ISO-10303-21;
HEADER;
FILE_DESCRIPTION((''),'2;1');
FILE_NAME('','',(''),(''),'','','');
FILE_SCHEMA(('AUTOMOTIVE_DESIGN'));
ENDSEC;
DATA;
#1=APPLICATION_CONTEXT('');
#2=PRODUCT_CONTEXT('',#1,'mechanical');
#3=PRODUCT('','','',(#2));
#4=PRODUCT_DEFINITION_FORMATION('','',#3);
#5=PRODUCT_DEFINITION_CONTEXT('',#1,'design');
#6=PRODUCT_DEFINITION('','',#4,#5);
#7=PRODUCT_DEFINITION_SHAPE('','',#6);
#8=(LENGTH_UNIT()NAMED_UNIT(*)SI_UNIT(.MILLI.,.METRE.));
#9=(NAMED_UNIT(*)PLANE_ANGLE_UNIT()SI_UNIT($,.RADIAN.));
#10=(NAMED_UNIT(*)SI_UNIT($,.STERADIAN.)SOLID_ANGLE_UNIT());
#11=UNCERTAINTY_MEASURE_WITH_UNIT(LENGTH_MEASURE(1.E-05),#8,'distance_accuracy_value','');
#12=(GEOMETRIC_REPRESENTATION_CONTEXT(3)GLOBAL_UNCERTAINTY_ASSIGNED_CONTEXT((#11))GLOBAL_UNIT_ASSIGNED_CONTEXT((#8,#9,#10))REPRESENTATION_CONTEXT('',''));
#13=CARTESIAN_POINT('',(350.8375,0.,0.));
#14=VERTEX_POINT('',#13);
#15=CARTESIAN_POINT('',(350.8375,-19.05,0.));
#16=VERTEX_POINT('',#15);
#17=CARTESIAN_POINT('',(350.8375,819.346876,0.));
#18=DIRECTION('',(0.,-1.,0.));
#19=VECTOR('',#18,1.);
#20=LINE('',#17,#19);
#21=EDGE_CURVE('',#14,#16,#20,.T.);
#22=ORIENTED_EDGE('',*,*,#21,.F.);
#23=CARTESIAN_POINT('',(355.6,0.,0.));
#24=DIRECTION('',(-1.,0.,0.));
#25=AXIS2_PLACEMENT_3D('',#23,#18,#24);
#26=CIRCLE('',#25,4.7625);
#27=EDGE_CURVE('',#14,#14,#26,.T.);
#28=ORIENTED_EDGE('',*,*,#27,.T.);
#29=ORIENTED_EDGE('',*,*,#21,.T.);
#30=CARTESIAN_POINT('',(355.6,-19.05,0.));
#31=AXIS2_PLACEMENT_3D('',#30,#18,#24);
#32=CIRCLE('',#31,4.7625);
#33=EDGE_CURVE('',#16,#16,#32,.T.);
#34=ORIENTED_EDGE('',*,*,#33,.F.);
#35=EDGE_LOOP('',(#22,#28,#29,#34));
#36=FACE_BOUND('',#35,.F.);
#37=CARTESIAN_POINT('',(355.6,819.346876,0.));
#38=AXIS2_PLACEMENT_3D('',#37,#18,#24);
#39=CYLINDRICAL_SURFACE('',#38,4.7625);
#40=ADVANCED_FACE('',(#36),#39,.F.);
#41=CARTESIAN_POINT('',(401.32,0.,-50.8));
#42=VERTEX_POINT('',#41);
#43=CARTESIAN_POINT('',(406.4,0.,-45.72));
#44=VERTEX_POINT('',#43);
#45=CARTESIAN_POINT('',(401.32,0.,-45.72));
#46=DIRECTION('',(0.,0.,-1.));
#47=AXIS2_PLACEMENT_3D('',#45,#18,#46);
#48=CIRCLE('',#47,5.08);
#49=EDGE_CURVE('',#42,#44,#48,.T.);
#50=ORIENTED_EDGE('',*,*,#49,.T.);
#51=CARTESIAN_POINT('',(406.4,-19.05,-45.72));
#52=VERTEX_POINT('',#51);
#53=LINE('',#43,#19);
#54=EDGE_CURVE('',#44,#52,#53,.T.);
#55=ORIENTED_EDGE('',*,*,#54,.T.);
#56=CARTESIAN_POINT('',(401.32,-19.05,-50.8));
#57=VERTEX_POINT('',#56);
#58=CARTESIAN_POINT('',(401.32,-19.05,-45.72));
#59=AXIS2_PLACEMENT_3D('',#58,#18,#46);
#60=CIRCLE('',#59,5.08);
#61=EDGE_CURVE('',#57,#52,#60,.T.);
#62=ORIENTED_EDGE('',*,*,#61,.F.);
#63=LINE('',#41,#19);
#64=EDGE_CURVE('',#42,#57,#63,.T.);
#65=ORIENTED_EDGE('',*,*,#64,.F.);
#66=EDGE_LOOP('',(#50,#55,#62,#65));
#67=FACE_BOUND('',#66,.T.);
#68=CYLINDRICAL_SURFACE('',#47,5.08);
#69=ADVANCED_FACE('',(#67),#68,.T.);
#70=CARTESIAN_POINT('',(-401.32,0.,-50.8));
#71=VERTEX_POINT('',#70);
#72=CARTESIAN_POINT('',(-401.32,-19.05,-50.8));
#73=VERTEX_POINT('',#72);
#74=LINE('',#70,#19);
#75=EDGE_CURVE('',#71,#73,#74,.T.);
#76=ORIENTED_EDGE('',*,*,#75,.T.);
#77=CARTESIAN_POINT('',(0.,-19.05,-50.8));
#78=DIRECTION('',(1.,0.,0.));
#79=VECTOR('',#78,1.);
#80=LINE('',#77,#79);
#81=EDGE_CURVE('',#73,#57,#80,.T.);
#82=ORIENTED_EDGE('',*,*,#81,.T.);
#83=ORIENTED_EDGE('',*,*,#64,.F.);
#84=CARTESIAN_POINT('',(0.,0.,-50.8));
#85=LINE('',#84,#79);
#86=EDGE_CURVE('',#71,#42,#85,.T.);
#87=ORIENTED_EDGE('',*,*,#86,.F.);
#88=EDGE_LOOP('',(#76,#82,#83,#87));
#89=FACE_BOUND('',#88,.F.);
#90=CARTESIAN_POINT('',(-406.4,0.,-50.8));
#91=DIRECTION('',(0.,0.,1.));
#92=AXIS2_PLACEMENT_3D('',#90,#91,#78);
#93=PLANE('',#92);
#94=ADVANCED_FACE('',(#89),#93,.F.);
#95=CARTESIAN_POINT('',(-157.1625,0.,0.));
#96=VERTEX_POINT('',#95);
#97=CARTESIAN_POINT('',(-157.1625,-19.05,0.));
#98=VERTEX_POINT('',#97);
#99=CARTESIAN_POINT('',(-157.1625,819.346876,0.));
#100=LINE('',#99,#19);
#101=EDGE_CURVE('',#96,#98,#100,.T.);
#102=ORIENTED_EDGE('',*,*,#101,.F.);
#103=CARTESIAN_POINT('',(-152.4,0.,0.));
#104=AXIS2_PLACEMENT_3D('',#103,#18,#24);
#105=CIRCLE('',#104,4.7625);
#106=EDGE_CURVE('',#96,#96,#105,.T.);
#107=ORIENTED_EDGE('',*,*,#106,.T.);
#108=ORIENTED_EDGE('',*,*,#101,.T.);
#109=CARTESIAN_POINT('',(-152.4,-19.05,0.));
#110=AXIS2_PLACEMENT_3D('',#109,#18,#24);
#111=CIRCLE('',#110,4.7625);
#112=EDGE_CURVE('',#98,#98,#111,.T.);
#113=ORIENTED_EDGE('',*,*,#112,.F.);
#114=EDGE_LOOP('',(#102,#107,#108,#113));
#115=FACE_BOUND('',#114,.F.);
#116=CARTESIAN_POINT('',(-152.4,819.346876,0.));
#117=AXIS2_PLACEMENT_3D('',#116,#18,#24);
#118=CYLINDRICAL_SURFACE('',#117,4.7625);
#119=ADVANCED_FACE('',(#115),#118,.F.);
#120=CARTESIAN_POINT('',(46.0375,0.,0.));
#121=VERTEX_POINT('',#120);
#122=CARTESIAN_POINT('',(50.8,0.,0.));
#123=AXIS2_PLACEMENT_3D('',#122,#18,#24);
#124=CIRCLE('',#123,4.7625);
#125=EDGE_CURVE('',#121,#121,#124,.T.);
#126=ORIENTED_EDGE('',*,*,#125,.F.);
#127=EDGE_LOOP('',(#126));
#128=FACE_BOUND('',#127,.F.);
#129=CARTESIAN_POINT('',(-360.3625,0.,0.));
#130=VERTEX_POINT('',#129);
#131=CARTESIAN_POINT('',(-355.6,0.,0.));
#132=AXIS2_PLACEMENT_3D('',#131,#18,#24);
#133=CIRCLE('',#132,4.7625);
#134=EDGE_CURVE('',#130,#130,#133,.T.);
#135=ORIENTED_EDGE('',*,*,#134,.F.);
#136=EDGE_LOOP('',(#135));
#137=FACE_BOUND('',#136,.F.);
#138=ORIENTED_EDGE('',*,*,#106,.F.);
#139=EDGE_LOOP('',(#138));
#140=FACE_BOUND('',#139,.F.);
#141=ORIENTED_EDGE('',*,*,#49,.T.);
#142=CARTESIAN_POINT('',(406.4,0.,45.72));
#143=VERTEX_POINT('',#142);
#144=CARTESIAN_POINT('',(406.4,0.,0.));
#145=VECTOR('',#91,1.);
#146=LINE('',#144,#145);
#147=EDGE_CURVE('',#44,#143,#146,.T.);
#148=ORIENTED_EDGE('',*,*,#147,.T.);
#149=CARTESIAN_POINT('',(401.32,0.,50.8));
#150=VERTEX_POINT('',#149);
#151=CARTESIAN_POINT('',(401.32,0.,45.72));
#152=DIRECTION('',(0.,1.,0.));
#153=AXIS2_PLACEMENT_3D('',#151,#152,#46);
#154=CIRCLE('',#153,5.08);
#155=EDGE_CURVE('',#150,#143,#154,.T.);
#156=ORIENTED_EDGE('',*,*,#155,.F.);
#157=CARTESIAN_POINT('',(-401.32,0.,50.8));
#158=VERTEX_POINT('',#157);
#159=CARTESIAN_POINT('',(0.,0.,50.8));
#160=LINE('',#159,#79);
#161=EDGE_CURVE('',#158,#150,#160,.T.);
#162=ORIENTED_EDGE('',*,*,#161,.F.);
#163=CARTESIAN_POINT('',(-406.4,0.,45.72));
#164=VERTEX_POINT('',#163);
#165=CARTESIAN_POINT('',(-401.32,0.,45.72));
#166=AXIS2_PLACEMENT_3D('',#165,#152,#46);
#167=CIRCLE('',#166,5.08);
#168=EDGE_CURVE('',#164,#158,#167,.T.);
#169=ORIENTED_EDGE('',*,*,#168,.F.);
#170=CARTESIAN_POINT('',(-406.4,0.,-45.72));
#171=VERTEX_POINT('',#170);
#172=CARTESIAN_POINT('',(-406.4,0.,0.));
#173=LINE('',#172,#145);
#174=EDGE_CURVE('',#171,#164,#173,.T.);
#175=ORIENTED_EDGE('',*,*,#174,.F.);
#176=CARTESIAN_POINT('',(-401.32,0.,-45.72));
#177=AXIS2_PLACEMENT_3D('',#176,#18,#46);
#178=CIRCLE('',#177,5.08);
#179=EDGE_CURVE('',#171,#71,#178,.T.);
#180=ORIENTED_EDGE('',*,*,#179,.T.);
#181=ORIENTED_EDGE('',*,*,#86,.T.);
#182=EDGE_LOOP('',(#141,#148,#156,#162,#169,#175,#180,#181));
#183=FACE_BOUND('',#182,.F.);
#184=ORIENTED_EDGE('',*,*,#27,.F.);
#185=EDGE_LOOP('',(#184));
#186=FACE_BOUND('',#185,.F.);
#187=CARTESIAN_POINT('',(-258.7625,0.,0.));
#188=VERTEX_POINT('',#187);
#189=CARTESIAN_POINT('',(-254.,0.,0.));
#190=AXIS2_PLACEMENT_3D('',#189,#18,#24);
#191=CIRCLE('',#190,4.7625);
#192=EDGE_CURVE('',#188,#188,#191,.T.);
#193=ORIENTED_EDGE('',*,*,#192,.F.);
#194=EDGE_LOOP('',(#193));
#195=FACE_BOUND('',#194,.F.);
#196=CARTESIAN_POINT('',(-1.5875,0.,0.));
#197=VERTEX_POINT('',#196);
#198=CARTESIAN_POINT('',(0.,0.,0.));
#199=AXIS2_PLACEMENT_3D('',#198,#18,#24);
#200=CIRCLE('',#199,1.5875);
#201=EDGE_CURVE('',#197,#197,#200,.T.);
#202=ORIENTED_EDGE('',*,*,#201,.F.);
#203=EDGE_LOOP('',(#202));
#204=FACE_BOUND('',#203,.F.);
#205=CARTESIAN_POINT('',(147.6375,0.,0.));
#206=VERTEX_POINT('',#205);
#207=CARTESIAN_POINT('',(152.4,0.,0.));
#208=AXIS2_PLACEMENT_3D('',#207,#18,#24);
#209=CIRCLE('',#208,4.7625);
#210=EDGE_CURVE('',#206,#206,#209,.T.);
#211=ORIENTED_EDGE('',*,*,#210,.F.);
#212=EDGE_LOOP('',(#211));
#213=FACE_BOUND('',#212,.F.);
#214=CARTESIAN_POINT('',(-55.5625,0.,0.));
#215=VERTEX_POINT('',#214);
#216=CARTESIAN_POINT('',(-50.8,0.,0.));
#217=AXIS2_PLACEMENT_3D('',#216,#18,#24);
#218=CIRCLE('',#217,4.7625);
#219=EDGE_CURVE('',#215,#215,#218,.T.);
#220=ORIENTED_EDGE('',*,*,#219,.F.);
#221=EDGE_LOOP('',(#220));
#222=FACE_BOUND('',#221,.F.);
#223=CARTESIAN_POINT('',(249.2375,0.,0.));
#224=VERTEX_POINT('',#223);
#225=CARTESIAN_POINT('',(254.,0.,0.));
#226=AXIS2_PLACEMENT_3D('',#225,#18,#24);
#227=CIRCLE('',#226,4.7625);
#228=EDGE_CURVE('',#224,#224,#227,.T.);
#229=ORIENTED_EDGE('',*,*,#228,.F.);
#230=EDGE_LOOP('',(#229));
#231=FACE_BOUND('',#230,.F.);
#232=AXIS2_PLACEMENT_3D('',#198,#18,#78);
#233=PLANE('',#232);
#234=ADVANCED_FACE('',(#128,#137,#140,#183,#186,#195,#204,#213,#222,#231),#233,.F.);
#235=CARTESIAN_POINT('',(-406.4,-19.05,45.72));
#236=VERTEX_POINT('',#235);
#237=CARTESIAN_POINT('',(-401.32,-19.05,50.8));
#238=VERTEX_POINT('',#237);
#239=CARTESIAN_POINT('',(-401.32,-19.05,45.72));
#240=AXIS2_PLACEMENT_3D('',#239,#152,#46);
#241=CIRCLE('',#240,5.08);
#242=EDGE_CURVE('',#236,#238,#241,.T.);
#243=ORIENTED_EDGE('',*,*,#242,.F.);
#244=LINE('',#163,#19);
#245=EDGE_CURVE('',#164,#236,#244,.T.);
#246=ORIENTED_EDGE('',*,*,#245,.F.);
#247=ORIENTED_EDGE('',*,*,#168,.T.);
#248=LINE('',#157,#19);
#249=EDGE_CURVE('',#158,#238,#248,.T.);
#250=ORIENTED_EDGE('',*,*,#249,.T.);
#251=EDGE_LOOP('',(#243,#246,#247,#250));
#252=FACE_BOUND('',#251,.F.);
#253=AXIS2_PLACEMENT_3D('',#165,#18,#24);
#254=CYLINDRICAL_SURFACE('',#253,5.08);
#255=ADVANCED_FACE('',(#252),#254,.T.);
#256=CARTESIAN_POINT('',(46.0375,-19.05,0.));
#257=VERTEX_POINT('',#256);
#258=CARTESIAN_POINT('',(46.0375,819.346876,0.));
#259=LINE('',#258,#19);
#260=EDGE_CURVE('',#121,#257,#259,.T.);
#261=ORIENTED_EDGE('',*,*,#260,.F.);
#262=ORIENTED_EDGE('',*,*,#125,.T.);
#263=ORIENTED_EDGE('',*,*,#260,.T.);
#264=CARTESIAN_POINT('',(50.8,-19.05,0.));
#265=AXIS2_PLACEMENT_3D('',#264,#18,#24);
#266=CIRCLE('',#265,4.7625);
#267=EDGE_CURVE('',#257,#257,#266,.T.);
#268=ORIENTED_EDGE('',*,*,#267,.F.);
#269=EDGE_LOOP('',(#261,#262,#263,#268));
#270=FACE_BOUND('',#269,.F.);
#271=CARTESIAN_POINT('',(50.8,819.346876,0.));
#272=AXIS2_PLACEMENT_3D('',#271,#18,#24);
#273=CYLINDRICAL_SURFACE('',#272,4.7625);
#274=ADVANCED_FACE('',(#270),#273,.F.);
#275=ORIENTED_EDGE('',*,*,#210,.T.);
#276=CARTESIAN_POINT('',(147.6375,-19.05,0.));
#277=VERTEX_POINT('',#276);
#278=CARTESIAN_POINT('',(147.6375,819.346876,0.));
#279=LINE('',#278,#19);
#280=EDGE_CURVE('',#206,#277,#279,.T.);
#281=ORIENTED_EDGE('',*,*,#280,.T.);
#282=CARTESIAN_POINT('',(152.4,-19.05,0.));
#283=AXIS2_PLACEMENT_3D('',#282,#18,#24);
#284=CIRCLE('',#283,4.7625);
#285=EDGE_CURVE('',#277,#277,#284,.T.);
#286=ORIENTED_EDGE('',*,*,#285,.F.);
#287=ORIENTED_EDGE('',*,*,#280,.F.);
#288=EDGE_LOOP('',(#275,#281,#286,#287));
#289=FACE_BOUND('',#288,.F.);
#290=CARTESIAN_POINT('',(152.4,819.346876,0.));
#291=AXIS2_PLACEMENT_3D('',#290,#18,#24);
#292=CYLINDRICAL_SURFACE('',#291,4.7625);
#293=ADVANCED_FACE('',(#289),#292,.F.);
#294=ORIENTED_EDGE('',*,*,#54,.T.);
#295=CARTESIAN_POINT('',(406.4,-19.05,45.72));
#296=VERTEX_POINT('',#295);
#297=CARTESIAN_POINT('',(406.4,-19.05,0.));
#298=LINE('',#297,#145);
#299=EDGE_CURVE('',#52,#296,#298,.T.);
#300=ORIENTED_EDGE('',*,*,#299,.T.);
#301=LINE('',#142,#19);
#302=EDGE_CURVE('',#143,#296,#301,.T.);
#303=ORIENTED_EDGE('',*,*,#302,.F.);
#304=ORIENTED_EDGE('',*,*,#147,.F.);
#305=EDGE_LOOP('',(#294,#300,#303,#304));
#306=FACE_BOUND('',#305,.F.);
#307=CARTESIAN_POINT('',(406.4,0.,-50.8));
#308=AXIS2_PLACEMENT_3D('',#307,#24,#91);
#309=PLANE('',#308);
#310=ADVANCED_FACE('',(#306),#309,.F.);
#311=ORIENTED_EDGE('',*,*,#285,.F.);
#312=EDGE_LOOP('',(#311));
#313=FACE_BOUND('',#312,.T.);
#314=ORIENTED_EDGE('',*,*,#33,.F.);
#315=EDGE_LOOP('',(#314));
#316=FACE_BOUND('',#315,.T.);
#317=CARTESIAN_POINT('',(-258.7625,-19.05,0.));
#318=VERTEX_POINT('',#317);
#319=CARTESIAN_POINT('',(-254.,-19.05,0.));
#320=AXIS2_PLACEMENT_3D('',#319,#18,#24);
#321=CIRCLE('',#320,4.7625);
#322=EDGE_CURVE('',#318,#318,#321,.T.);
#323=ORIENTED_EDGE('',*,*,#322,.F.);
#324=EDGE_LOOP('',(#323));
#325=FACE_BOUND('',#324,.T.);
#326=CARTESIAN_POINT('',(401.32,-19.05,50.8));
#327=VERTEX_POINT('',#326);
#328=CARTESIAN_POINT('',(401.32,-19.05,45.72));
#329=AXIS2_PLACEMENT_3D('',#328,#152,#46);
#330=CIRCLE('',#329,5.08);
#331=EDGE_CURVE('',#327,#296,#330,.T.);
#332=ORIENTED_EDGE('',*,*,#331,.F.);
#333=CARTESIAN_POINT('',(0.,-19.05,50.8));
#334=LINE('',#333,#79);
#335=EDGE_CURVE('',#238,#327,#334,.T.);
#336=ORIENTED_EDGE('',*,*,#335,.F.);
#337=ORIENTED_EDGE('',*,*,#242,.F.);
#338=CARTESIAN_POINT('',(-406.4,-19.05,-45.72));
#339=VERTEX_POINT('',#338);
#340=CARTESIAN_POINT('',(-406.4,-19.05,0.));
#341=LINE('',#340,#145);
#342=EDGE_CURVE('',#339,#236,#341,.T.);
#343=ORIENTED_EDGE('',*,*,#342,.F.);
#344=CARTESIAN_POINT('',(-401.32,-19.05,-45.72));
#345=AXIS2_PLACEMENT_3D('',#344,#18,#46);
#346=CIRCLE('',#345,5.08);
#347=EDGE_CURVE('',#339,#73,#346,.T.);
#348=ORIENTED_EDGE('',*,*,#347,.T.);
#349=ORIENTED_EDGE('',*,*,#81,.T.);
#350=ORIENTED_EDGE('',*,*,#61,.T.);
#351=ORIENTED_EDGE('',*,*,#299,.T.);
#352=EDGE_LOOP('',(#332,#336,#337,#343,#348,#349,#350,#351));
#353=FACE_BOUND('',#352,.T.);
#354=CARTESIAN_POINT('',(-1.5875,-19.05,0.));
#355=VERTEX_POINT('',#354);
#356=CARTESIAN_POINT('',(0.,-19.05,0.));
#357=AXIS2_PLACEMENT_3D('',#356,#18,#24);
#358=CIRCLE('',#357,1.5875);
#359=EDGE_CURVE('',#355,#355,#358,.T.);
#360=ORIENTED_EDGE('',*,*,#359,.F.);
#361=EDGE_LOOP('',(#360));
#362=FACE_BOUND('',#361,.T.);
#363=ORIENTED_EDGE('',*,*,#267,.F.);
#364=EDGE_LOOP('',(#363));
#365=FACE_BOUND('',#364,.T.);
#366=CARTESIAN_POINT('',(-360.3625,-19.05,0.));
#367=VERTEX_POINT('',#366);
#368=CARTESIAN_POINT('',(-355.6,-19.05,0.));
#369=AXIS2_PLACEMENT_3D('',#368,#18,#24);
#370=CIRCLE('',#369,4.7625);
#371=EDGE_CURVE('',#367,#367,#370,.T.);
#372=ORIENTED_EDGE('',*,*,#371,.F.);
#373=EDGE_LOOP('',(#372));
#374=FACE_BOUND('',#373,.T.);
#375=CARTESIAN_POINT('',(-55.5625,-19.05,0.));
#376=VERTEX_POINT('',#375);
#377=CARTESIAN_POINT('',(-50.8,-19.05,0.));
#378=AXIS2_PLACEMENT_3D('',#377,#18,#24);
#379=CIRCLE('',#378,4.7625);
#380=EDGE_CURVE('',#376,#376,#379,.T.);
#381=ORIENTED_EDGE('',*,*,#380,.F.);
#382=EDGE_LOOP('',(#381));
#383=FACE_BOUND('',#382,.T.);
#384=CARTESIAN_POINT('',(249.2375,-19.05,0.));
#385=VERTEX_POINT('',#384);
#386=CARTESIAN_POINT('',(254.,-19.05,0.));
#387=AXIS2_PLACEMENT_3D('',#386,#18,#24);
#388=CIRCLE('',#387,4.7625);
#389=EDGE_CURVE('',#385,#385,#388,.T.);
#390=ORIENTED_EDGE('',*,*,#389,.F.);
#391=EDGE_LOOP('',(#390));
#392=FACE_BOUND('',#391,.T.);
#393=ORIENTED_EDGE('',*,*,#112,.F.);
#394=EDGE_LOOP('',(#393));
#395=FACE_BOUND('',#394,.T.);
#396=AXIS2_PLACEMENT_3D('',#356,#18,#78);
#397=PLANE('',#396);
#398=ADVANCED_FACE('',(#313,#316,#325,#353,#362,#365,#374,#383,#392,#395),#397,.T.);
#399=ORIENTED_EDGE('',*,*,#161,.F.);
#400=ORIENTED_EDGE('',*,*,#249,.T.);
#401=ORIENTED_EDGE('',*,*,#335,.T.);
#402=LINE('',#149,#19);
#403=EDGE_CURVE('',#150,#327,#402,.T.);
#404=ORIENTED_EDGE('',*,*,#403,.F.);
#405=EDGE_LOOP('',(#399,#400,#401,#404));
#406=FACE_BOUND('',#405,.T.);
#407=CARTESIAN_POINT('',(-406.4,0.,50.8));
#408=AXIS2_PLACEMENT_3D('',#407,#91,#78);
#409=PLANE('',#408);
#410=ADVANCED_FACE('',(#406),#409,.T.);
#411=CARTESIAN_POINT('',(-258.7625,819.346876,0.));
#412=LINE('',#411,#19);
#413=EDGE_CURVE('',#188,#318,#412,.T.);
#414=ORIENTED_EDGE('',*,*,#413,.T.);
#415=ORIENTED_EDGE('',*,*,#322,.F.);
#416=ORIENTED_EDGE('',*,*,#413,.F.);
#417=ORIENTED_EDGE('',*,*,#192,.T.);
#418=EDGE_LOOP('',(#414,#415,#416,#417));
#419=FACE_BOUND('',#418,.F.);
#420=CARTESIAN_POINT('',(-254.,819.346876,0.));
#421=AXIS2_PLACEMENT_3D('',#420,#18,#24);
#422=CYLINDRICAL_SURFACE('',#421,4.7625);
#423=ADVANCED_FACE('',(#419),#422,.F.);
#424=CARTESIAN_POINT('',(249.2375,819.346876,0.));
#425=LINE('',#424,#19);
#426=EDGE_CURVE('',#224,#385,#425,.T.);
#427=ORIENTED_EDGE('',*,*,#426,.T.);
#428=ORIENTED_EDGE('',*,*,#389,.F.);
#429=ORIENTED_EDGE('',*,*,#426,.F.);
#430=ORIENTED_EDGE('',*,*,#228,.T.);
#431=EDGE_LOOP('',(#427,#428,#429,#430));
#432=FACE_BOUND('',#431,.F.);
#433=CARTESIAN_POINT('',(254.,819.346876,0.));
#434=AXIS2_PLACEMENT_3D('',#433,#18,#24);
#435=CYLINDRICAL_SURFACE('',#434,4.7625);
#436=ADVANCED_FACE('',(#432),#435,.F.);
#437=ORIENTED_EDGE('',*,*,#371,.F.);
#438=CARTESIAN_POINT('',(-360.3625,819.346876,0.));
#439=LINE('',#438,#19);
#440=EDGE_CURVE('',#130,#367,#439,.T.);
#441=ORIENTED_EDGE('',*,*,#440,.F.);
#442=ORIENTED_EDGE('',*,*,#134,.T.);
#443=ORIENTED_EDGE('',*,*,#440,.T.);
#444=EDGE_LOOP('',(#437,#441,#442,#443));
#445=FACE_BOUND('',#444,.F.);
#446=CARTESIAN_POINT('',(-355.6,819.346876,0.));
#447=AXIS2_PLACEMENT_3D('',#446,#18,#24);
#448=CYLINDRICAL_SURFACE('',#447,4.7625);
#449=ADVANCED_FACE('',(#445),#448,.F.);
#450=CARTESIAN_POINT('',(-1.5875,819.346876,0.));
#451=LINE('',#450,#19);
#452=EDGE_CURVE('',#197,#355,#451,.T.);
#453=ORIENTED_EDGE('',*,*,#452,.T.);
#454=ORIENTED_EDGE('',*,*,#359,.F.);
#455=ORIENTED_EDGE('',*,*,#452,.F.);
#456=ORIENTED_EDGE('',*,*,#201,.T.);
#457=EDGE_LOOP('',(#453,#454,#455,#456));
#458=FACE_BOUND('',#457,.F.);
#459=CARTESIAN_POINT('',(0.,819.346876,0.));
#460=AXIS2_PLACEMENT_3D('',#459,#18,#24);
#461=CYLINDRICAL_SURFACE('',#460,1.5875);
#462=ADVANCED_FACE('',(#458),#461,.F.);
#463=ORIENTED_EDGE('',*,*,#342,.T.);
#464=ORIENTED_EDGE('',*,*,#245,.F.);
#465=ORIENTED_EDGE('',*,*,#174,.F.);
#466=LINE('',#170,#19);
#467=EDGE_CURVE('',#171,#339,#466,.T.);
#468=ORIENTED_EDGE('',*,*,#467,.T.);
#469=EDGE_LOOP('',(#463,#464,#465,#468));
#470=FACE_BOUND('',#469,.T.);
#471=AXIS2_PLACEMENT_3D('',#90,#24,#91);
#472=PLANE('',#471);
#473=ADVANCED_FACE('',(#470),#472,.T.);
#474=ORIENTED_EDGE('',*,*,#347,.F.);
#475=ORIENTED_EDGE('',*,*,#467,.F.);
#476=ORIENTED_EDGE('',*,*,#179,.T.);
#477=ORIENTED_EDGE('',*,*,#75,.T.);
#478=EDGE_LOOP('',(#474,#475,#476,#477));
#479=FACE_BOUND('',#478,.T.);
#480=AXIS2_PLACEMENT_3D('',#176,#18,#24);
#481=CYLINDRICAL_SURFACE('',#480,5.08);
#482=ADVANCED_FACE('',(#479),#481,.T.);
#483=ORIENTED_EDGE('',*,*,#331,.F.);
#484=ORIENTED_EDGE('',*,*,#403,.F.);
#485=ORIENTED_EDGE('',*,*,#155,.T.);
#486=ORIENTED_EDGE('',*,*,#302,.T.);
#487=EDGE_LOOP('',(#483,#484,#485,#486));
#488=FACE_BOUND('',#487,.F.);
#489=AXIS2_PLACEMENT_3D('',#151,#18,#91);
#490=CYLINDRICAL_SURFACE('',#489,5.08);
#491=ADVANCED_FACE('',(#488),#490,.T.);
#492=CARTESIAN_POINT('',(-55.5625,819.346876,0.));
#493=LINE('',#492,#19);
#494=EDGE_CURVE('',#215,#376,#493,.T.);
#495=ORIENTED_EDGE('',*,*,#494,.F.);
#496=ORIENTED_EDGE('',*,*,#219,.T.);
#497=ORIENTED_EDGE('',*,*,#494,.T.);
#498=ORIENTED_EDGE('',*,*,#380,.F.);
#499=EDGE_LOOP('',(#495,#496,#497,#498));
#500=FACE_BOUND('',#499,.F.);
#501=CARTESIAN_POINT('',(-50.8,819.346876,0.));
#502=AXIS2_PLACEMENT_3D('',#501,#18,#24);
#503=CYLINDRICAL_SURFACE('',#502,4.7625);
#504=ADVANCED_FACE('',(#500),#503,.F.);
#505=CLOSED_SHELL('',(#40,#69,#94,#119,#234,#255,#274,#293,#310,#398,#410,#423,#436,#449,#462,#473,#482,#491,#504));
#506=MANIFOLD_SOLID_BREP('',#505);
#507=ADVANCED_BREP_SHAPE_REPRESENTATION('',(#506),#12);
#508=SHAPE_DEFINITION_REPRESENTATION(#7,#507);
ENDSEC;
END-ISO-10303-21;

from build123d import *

# Parameters (mm, degrees)
F0_W     = 812.8
F0_H     = 101.6
F1_DEPTH = 19.05
F2_D     = 9.525
F3_D     = 3.175
F4_R     = 5.08


with BuildPart() as f1:
    # F0 (on Front) → F1 (new body)
    with BuildSketch(Plane.XZ):
        Rectangle(F0_W, F0_H)
    extrude(amount=F1_DEPTH)

    # F2 (through all)
    with Locations(Plane(origin=(0, 0, 0), x_dir=(1, 0, 0), z_dir=(0, 1, 0))):
        with Locations((-355.6, 0), (-254, 0), (-152.4, 0), (-50.8, 0), (50.8, 0), (152.4, 0), (254, 0), (355.6, 0)):
            Hole(F2_D / 2)

    # F3 (through all)
    with Locations(Plane(origin=(0, 0, 0), x_dir=(1, 0, 0), z_dir=(0, 1, 0))):
        with Locations((0, 0)):
            Hole(F3_D / 2)

    # F4
    f4_edges = [f1.edges().sort_by_distance(p)[0] for p in [
        (-406.4, -9.525, 50.8),
        (-406.4, -9.525, -50.8),
        (406.4, -9.525, 50.8),
        (406.4, -9.525, -50.8),
    ]]
    fillet(f4_edges, radius=F4_R)


solid = f1.part
